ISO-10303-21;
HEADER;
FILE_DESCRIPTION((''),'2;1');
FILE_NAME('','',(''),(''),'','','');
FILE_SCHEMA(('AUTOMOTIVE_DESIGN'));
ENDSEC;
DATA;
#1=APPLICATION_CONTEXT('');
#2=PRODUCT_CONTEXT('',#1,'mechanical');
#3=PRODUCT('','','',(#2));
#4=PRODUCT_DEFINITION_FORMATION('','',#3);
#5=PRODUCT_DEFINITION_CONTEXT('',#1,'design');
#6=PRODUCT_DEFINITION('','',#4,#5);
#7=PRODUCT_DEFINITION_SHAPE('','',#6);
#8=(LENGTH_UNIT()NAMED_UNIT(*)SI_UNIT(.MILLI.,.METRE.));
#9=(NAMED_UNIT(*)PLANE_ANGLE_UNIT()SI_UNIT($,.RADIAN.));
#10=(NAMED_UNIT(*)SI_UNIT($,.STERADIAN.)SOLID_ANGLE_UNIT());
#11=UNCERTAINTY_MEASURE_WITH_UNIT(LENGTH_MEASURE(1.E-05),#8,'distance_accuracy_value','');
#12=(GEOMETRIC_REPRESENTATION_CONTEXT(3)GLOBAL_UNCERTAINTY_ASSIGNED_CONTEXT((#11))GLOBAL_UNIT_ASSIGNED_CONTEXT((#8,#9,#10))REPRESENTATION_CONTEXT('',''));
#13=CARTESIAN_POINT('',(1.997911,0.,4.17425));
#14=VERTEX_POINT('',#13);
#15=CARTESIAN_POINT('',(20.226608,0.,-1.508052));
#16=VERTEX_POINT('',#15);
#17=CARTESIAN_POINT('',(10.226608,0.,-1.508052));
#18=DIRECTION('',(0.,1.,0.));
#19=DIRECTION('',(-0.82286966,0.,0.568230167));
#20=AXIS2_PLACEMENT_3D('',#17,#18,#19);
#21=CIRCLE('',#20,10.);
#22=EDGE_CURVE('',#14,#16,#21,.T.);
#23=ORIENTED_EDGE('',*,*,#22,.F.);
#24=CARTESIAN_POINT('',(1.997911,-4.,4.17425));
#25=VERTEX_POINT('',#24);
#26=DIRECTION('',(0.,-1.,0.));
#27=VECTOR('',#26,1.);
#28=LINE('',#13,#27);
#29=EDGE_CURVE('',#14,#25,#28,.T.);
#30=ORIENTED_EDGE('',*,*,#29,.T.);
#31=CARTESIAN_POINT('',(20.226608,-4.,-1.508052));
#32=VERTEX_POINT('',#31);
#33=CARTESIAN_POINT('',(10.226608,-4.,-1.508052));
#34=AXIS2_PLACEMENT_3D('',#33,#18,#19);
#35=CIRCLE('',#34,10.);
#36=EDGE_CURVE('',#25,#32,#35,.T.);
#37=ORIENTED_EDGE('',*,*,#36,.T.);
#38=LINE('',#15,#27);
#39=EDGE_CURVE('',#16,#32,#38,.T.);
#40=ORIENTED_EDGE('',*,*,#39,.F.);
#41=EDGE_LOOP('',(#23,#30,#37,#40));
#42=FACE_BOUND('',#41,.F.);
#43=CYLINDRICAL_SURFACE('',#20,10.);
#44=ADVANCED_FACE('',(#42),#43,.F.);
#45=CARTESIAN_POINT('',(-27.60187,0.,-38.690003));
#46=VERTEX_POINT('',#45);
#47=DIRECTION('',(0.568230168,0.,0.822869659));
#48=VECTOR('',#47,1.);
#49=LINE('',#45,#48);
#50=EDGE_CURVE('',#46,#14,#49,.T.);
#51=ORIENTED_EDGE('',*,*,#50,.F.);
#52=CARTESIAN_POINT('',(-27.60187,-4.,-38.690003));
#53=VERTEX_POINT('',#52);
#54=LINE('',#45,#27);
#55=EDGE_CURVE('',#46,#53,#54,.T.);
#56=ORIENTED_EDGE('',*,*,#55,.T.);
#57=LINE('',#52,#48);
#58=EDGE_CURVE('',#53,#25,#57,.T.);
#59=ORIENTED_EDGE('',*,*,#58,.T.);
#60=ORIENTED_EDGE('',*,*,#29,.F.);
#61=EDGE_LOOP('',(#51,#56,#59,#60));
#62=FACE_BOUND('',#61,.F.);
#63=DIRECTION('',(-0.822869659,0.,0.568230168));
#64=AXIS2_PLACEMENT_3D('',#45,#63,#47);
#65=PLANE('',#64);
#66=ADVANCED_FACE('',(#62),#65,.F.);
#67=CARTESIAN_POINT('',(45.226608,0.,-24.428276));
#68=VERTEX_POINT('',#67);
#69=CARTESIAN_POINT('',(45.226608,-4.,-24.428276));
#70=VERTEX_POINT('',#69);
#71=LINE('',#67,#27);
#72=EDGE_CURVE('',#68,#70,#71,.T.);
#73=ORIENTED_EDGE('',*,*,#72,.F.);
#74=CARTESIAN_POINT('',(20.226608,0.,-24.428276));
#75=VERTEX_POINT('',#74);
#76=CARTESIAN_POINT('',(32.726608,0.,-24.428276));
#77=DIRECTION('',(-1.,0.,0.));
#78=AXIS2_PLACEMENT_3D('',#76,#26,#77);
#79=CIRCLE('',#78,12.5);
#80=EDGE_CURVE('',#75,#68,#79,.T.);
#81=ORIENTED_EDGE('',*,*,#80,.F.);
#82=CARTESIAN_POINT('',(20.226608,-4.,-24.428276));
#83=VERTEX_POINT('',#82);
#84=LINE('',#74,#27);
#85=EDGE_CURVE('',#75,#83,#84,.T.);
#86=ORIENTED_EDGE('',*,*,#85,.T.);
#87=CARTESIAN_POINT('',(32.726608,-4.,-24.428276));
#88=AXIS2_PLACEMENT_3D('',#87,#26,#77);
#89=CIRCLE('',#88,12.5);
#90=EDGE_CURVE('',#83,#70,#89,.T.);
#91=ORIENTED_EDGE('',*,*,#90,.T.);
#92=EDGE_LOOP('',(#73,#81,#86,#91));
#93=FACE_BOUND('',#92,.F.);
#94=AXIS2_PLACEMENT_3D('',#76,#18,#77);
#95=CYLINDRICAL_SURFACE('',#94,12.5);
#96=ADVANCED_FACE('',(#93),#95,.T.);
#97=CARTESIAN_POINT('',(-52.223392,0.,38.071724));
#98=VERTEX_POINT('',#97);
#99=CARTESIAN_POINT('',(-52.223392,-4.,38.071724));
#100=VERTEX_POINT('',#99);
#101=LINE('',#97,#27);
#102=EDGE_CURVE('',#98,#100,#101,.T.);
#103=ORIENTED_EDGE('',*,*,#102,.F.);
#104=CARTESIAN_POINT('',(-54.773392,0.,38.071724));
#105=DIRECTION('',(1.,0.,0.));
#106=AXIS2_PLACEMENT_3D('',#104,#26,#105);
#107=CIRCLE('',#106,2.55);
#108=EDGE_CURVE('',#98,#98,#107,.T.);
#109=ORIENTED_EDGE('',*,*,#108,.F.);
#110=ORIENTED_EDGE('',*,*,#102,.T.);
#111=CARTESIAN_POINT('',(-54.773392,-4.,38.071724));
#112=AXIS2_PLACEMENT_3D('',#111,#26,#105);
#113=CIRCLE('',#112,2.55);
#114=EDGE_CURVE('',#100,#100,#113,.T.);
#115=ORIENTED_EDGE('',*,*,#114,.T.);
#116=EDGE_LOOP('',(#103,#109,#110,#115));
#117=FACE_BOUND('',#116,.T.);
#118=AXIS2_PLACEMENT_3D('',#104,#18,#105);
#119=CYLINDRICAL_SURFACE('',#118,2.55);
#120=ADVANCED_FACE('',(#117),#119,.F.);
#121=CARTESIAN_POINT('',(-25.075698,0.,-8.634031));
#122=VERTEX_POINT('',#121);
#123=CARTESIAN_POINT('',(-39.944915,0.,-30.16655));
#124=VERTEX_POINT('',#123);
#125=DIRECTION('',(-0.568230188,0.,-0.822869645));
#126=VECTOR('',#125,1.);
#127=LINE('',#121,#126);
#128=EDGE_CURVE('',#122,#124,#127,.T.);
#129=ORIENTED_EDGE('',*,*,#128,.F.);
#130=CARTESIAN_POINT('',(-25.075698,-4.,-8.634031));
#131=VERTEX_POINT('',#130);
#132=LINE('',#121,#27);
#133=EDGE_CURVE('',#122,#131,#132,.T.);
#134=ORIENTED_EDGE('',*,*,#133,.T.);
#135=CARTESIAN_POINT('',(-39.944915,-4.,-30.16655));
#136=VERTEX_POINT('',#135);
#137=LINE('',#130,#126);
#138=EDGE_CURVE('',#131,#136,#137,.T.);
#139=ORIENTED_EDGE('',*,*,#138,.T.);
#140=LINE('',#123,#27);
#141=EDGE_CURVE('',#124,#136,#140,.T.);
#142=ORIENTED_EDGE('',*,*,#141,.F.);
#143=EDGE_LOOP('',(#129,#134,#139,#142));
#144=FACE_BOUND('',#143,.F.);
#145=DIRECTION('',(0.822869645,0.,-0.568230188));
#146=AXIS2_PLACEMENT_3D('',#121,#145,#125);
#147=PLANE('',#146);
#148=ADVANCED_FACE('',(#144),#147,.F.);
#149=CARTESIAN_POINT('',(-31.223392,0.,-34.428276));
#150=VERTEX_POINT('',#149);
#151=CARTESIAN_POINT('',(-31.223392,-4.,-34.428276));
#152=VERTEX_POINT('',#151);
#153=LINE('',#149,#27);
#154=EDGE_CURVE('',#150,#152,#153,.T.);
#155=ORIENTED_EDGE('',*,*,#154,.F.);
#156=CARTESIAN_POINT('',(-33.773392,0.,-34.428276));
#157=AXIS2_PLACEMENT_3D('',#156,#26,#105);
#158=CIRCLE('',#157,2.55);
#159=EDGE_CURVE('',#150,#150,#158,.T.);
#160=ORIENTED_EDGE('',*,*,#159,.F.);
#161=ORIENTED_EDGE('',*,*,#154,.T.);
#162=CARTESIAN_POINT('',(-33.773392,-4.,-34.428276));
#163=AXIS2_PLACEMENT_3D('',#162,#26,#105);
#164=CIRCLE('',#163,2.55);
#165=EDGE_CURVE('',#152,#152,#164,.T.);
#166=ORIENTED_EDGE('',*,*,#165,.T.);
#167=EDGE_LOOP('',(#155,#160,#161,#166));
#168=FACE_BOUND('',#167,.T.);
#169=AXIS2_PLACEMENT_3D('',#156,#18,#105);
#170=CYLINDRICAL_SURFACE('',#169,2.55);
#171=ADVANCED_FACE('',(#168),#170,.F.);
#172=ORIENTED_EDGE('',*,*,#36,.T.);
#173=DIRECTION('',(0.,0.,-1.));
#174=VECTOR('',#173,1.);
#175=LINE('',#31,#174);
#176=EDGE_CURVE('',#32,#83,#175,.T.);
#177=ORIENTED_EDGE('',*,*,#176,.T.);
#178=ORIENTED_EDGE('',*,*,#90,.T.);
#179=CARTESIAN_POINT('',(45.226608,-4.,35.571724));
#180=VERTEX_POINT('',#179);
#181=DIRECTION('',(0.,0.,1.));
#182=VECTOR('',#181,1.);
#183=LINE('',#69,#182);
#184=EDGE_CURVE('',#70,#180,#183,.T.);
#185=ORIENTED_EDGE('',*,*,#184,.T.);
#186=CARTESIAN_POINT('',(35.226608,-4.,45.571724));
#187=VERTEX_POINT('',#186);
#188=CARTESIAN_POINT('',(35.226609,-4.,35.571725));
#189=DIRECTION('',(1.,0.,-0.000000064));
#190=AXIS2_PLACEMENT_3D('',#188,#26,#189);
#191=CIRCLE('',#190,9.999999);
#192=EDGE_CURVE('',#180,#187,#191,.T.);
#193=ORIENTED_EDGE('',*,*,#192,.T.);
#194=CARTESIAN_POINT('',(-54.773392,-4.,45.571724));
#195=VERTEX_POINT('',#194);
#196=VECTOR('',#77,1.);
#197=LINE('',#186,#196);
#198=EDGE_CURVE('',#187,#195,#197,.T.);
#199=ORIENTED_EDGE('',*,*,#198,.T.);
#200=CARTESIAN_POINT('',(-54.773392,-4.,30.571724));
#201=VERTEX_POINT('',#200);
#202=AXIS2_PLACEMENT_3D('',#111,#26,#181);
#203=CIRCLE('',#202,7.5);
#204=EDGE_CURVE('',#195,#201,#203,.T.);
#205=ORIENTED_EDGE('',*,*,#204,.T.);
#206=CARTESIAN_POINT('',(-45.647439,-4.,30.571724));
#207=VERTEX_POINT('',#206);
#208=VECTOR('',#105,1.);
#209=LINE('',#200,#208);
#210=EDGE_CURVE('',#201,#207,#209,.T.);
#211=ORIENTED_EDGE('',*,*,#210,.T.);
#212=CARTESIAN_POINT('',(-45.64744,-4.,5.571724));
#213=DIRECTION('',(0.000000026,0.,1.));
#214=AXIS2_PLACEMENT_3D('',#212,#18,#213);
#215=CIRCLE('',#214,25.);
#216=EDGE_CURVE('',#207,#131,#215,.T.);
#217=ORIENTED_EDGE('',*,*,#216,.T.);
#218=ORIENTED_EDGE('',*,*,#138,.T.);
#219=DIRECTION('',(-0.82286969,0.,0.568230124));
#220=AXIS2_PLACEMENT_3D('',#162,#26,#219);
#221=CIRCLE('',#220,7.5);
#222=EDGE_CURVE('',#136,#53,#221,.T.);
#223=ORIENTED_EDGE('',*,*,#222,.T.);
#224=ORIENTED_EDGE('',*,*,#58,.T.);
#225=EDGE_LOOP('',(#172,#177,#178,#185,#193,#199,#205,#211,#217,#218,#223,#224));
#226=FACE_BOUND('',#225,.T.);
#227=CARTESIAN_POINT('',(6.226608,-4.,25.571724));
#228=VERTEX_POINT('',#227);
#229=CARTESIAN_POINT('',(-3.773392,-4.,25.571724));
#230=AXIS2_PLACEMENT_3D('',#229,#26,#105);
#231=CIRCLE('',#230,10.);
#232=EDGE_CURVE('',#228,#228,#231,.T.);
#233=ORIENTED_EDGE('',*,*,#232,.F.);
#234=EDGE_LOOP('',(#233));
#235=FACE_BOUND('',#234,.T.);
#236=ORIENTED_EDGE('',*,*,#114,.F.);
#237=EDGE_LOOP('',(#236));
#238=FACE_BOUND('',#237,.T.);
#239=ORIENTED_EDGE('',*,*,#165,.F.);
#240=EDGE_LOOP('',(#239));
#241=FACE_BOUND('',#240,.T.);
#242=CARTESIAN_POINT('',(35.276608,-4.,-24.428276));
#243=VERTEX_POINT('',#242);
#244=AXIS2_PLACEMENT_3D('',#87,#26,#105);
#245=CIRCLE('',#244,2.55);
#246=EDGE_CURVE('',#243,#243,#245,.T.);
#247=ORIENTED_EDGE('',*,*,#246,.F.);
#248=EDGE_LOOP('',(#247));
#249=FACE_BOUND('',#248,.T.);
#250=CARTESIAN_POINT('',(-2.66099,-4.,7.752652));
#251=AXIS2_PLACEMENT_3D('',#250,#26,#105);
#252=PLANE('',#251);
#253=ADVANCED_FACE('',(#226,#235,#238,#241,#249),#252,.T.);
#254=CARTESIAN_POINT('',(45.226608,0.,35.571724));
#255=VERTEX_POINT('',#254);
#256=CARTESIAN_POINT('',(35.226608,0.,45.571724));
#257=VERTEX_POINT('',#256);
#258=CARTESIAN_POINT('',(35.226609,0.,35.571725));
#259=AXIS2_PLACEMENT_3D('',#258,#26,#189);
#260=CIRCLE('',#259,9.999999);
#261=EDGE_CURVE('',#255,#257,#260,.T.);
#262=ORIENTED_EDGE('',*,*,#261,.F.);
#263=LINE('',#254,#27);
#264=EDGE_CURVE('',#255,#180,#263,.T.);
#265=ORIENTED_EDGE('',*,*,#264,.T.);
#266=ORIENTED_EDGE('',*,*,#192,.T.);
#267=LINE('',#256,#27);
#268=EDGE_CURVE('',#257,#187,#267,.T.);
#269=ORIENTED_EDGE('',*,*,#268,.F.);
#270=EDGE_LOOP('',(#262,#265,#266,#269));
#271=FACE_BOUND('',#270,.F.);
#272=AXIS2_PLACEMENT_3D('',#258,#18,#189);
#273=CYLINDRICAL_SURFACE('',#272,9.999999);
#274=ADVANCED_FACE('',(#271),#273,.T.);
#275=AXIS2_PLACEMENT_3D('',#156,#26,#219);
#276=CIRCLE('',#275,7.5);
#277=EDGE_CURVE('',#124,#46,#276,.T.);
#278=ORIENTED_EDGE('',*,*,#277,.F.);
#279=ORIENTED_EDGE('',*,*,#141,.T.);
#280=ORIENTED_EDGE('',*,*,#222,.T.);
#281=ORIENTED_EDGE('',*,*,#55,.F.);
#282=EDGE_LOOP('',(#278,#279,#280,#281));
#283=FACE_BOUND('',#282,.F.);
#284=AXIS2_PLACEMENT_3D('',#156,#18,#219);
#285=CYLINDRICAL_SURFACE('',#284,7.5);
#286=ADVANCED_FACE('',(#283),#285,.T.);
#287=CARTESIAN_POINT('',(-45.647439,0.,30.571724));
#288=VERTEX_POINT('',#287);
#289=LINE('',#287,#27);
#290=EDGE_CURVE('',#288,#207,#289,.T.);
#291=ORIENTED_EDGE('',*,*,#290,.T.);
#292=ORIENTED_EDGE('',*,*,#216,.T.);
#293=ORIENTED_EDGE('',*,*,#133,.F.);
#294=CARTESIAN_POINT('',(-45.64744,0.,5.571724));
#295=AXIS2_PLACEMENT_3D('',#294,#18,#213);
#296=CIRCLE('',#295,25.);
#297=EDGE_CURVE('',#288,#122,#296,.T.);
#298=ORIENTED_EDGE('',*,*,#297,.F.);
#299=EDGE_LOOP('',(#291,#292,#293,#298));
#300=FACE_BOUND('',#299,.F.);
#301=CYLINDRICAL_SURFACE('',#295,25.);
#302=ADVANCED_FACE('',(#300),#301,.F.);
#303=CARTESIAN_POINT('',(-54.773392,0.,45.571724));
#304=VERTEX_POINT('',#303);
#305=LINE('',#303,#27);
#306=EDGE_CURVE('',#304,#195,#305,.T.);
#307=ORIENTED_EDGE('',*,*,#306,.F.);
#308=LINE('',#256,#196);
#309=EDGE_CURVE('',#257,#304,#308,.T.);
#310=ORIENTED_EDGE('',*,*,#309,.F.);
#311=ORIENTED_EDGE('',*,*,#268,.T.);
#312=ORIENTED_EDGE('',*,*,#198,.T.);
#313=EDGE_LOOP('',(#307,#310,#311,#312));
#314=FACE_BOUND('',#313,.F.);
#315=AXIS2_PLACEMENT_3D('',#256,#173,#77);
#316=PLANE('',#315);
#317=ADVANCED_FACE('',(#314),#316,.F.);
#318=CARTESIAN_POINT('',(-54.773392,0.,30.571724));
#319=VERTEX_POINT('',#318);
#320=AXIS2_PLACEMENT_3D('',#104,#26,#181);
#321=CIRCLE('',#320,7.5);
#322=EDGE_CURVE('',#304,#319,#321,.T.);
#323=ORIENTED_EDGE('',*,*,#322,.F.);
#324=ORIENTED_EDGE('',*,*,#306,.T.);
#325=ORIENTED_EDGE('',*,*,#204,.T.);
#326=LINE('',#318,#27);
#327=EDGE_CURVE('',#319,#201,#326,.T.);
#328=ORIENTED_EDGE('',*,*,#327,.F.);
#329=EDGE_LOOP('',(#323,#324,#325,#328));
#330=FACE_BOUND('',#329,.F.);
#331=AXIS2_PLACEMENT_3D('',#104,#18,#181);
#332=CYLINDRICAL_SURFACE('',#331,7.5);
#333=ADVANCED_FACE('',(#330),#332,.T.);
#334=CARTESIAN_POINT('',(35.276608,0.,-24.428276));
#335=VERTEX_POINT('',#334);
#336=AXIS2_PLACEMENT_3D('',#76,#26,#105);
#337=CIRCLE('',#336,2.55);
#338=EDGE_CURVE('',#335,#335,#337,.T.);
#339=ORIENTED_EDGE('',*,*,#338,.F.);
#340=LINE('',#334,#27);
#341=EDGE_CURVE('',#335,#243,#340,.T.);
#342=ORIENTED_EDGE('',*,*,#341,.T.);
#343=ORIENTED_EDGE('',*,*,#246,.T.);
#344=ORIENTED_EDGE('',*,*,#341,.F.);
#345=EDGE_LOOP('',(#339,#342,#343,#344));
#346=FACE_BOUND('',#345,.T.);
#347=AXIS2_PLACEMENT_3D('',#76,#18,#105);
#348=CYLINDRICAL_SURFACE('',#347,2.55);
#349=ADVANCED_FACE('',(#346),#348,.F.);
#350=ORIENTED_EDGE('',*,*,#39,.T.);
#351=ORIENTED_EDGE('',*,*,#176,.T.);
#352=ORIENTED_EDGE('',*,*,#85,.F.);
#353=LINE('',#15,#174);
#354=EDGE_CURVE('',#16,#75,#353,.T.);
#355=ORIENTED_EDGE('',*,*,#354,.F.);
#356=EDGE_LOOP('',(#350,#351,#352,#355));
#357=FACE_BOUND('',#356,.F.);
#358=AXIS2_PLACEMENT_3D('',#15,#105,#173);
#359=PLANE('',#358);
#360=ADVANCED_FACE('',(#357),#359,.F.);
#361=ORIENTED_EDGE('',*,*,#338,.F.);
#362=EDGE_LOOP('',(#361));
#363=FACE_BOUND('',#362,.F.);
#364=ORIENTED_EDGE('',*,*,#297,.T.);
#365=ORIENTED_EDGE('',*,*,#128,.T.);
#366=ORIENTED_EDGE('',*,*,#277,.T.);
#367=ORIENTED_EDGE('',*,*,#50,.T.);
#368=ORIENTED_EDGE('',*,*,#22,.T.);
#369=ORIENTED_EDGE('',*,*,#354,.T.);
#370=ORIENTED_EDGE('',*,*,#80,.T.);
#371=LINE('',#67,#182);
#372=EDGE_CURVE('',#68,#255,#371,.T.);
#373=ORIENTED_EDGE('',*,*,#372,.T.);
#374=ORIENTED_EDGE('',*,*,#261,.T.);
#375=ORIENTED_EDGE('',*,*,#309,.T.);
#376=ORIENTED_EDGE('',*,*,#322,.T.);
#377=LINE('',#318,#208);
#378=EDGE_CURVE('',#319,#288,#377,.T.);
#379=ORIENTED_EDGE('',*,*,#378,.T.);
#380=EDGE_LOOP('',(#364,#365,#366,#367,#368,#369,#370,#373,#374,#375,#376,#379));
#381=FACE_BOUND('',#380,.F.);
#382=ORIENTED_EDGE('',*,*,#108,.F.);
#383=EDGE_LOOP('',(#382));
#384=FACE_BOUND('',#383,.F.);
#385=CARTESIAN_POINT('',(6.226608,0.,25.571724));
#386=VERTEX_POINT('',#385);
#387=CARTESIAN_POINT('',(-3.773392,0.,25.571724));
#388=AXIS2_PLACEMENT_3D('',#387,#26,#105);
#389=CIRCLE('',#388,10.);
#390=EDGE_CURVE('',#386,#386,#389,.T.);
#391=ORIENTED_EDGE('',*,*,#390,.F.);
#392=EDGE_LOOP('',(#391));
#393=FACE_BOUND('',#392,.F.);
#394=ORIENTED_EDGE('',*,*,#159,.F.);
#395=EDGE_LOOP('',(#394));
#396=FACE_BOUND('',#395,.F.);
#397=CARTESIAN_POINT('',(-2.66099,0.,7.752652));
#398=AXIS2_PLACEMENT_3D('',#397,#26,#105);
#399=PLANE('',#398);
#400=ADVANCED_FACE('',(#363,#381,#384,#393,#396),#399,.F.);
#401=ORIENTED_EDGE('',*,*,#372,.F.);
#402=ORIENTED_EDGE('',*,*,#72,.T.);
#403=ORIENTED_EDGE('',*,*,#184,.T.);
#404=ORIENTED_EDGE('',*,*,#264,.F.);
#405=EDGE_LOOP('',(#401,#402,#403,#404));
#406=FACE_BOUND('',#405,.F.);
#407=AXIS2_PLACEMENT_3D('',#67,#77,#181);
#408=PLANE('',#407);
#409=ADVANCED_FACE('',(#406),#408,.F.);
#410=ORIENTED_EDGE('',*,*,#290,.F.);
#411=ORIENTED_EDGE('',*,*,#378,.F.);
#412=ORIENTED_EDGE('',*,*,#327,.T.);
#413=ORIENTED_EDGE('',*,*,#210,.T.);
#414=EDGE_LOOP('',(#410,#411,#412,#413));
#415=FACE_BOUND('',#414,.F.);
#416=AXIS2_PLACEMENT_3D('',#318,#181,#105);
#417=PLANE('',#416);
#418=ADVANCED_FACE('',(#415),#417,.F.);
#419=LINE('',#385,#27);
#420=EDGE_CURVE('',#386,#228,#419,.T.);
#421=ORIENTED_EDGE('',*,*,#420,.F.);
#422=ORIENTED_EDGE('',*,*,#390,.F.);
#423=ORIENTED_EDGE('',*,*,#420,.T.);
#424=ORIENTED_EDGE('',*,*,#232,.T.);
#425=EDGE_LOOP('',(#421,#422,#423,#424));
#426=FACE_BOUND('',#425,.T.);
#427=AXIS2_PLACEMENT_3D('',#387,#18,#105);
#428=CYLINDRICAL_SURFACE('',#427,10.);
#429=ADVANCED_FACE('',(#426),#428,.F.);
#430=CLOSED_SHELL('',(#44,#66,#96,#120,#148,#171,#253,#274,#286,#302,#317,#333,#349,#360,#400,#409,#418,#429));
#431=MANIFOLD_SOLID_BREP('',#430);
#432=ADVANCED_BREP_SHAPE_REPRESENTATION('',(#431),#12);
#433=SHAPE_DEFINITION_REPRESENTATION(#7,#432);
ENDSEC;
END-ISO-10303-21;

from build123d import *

# Parameters (mm, degrees)
F0_R     = 2.55
F0_R_2   = 10
F1_DEPTH = 4


with BuildPart() as f1:
    # F0 (on Front) → F1 (new body)
    with BuildSketch(Plane.XZ):
        with BuildLine():
            Line((35.226608, 45.571724), (-54.773392, 45.571724))
            ThreePointArc((-54.773392, 45.571724), (-62.273392, 38.071724), (-54.773392, 30.571724))
            Line((-54.773392, 30.571724), (-45.647439, 30.571724))
            ThreePointArc((-45.647439, 30.571724), (-23.509871, 17.187578), (-25.075698, -8.634031))
            Line((-25.075698, -8.634031), (-39.944915, -30.16655))
            ThreePointArc((-39.944915, -30.16655), (-38.035118, -40.599799), (-27.60187, -38.690003))
            Line((-27.60187, -38.690003), (1.997911, 4.17425))
            ThreePointArc((1.997911, 4.17425), (13.202598, 8.038858), (20.226608, -1.508052))
            Line((20.226608, -1.508052), (20.226608, -24.428276))
            ThreePointArc((20.226608, -24.428276), (32.726608, -36.928276), (45.226608, -24.428276))
            Line((45.226608, -24.428276), (45.226608, 35.571724))
            ThreePointArc((45.226608, 35.571724), (42.297676, 42.642792), (35.226608, 45.571724))
        make_face()
        with Locations((-33.773392, -34.428276)):
            Circle(F0_R, mode=Mode.SUBTRACT)
        with Locations((32.726608, -24.428276)):
            Circle(F0_R, mode=Mode.SUBTRACT)
        with Locations((-54.773392, 38.071724)):
            Circle(F0_R, mode=Mode.SUBTRACT)
        with Locations((-3.773392, 25.571724)):
            Circle(F0_R_2, mode=Mode.SUBTRACT)
    extrude(amount=F1_DEPTH)


solid = f1.part
